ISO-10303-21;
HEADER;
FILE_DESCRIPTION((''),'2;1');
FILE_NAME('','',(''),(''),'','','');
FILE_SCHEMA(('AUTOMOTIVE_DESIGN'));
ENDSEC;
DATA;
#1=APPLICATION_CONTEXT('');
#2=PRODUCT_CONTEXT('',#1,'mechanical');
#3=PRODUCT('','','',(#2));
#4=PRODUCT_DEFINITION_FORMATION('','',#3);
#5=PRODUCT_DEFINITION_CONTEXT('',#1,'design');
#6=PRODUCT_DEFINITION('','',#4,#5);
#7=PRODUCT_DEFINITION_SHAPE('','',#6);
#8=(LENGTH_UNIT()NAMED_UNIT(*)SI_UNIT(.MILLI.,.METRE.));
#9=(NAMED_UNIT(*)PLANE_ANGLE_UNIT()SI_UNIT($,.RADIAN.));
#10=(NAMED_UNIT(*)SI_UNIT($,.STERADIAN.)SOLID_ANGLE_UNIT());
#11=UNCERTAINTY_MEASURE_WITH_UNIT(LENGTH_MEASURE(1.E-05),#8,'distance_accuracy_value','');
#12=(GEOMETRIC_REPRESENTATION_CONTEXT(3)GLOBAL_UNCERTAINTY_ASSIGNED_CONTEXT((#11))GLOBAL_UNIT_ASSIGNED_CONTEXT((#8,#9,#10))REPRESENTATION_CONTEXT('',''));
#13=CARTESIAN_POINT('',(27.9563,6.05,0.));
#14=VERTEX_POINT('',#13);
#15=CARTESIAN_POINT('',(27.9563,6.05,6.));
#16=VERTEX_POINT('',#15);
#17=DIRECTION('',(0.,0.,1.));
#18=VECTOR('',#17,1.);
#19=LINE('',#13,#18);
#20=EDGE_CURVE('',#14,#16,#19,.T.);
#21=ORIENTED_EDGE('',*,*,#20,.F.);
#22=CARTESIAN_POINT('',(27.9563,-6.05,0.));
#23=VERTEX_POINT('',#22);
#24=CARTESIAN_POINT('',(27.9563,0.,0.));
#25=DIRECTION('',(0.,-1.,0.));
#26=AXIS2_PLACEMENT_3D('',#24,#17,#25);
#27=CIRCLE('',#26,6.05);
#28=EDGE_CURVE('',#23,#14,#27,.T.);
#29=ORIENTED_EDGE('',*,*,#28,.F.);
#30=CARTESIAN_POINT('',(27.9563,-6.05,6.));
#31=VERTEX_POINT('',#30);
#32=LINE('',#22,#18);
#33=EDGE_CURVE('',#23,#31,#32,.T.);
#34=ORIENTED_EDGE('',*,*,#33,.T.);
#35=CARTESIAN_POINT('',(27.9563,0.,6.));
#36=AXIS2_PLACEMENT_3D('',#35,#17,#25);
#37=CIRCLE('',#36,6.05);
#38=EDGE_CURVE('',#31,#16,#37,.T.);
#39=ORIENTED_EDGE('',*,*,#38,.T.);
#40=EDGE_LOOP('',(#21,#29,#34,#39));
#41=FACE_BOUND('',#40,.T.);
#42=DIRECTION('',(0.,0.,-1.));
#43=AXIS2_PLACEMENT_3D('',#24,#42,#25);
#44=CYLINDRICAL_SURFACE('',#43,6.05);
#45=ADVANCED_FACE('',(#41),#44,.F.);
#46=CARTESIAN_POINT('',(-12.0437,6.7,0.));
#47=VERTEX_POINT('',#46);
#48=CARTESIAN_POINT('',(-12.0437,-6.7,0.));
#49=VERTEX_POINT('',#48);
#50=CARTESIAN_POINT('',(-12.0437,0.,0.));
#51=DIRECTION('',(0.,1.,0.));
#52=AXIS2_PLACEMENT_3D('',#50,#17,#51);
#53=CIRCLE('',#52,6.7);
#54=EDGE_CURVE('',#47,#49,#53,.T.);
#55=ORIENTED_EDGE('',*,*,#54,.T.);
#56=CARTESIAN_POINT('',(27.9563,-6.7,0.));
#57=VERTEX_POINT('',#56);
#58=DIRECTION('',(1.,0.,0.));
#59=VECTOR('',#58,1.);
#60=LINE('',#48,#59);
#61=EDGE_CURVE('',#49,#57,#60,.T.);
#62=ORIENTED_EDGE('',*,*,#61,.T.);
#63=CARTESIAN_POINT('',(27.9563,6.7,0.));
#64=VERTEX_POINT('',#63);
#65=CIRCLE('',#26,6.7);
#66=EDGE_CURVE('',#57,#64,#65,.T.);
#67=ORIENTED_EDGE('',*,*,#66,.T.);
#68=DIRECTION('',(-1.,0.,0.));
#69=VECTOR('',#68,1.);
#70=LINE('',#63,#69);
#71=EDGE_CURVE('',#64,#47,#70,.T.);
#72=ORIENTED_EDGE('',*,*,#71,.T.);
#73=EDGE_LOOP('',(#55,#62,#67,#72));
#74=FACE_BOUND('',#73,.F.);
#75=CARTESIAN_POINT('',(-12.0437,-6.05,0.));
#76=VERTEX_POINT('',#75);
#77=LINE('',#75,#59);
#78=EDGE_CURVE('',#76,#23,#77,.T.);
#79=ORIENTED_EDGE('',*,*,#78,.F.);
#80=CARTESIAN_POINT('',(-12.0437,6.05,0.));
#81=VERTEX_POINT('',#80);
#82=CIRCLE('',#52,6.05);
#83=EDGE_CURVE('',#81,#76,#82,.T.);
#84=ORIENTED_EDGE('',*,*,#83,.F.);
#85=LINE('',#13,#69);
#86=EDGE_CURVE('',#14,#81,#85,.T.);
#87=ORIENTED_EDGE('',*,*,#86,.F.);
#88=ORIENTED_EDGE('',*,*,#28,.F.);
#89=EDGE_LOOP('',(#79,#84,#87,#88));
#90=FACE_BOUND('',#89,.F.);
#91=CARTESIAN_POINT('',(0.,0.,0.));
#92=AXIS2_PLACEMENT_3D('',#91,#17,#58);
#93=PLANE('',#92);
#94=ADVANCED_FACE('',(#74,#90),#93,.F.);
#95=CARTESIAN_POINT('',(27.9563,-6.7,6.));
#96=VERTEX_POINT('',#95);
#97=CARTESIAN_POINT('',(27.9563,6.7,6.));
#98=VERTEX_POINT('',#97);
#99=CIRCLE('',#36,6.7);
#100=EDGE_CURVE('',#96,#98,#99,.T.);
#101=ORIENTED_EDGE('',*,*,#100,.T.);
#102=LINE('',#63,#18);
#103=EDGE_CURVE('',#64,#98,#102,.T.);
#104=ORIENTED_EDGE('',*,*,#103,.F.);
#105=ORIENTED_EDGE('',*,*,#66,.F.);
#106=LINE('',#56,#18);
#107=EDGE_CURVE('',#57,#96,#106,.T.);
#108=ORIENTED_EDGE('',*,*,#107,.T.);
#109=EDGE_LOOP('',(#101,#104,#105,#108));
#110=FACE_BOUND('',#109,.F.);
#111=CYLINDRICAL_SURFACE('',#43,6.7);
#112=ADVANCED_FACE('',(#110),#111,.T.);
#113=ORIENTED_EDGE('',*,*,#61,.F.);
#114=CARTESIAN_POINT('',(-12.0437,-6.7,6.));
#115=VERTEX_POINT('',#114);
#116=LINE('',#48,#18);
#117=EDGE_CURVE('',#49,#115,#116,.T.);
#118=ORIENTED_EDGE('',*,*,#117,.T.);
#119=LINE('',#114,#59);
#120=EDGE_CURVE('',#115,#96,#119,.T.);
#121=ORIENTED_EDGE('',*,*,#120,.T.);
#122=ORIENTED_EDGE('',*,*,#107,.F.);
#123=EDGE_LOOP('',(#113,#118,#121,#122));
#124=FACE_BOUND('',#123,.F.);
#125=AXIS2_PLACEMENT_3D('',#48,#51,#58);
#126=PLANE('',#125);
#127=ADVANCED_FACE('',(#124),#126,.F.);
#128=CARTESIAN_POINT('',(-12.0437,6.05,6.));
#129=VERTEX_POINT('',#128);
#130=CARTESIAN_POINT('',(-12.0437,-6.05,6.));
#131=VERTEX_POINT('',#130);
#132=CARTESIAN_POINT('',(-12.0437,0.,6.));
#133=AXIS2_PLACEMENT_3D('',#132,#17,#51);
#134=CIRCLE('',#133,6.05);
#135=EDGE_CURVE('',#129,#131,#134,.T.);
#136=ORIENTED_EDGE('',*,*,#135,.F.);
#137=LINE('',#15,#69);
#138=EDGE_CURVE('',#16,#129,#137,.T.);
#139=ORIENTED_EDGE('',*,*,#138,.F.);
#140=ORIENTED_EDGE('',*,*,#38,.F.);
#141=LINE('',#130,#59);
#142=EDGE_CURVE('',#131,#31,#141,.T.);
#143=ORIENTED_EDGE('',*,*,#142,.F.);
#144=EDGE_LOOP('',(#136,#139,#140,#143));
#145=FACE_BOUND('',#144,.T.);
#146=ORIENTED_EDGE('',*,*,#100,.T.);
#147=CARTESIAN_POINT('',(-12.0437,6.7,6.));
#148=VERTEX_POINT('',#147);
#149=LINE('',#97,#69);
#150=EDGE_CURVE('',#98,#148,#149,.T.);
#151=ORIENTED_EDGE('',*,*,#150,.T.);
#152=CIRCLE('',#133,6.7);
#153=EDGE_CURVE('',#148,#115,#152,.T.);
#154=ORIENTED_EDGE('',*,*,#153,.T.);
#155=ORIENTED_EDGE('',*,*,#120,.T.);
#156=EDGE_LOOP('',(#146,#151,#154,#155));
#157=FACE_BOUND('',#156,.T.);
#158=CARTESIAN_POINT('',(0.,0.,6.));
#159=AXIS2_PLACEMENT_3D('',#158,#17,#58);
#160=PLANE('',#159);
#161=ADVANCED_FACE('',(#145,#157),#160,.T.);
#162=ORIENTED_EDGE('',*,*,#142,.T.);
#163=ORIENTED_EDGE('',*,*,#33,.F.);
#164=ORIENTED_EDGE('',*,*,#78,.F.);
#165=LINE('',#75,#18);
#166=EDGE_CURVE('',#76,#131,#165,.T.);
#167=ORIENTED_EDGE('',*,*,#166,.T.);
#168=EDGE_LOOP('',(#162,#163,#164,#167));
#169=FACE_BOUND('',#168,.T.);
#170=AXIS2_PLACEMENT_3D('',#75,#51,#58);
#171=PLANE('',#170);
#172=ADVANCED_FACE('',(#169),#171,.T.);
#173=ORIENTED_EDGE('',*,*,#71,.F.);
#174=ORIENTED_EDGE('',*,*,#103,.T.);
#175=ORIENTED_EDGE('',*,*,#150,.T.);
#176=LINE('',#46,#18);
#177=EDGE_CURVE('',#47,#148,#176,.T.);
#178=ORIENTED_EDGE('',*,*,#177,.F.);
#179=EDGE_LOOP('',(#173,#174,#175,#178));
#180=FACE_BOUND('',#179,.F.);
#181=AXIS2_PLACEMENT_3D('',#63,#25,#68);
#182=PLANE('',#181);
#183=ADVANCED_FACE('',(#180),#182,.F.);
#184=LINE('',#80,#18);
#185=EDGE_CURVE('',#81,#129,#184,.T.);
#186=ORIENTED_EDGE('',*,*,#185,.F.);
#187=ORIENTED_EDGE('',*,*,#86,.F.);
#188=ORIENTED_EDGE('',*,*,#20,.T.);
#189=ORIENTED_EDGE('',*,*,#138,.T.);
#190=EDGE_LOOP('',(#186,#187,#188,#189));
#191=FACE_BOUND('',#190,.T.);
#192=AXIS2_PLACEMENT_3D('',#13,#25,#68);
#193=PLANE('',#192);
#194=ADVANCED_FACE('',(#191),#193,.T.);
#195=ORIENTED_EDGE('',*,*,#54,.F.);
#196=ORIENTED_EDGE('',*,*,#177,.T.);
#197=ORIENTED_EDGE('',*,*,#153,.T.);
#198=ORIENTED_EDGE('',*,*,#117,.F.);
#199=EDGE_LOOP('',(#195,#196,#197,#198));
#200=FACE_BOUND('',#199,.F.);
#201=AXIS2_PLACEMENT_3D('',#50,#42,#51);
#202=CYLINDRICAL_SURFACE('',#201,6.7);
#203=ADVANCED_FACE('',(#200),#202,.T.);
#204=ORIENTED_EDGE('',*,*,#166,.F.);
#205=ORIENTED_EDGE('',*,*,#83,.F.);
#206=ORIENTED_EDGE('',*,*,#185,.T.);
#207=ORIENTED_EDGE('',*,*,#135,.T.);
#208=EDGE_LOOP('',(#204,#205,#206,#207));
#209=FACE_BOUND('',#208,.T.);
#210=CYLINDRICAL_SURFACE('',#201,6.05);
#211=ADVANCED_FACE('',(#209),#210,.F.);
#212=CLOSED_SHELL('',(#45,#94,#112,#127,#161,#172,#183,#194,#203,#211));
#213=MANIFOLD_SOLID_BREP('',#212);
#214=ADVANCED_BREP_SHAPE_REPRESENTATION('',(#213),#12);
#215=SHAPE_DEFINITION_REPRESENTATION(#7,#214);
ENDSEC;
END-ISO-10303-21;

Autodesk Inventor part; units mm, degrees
ref_plane "YZ Plane" through (0, 0, 0) normal (1, 0, 0) x (0, 1, 0)
ref_plane "XZ Plane" through (0, 0, 0) normal (0, 1, 0) x (-1, 0, 0)
ref_plane "XY Plane" through (0, 0, 0) normal (0, 0, 1) x (1, 0, 0)
sketch "Sketch1" plane through (0, 0, 0) normal (0, 0, 1) x (1, 0, 0)
  line L0 (-12.0437, 0) -> (27.9563, 0) construction
  line L1 (-12.0437, -6.05) -> (27.9563, -6.05)
  line L2 (27.9563, 6.05) -> (-12.0437, 6.05)
  arc A0 (-12.0437, 6.05) -> (-12.0437, -6.05) centre (-12.0437, 0) ccw
  arc A1 (27.9563, -6.05) -> (27.9563, 6.05) centre (27.9563, 0) ccw
  line L3 (-12.0437, -6.7) -> (27.9563, -6.7)
  arc A2 (27.9563, -6.7) -> (27.9563, 6.7) centre (27.9563, 0) ccw
  line L4 (27.9563, 6.7) -> (-12.0437, 6.7)
  arc A3 (-12.0437, 6.7) -> (-12.0437, -6.7) centre (-12.0437, 0) ccw
  point P0 (0, 0)
  point P1 (7.9563, 0)
  dimension "d0" = 40
  dimension "d1" = 12.1
  dimension "d2" = 0.65
extrude "Extrusion1" add sketch "Sketch1" along normal blind 6
properties part number "COTS_GENERIC_GT2_Timing_belt_6mm_closed_loop_stepper"
